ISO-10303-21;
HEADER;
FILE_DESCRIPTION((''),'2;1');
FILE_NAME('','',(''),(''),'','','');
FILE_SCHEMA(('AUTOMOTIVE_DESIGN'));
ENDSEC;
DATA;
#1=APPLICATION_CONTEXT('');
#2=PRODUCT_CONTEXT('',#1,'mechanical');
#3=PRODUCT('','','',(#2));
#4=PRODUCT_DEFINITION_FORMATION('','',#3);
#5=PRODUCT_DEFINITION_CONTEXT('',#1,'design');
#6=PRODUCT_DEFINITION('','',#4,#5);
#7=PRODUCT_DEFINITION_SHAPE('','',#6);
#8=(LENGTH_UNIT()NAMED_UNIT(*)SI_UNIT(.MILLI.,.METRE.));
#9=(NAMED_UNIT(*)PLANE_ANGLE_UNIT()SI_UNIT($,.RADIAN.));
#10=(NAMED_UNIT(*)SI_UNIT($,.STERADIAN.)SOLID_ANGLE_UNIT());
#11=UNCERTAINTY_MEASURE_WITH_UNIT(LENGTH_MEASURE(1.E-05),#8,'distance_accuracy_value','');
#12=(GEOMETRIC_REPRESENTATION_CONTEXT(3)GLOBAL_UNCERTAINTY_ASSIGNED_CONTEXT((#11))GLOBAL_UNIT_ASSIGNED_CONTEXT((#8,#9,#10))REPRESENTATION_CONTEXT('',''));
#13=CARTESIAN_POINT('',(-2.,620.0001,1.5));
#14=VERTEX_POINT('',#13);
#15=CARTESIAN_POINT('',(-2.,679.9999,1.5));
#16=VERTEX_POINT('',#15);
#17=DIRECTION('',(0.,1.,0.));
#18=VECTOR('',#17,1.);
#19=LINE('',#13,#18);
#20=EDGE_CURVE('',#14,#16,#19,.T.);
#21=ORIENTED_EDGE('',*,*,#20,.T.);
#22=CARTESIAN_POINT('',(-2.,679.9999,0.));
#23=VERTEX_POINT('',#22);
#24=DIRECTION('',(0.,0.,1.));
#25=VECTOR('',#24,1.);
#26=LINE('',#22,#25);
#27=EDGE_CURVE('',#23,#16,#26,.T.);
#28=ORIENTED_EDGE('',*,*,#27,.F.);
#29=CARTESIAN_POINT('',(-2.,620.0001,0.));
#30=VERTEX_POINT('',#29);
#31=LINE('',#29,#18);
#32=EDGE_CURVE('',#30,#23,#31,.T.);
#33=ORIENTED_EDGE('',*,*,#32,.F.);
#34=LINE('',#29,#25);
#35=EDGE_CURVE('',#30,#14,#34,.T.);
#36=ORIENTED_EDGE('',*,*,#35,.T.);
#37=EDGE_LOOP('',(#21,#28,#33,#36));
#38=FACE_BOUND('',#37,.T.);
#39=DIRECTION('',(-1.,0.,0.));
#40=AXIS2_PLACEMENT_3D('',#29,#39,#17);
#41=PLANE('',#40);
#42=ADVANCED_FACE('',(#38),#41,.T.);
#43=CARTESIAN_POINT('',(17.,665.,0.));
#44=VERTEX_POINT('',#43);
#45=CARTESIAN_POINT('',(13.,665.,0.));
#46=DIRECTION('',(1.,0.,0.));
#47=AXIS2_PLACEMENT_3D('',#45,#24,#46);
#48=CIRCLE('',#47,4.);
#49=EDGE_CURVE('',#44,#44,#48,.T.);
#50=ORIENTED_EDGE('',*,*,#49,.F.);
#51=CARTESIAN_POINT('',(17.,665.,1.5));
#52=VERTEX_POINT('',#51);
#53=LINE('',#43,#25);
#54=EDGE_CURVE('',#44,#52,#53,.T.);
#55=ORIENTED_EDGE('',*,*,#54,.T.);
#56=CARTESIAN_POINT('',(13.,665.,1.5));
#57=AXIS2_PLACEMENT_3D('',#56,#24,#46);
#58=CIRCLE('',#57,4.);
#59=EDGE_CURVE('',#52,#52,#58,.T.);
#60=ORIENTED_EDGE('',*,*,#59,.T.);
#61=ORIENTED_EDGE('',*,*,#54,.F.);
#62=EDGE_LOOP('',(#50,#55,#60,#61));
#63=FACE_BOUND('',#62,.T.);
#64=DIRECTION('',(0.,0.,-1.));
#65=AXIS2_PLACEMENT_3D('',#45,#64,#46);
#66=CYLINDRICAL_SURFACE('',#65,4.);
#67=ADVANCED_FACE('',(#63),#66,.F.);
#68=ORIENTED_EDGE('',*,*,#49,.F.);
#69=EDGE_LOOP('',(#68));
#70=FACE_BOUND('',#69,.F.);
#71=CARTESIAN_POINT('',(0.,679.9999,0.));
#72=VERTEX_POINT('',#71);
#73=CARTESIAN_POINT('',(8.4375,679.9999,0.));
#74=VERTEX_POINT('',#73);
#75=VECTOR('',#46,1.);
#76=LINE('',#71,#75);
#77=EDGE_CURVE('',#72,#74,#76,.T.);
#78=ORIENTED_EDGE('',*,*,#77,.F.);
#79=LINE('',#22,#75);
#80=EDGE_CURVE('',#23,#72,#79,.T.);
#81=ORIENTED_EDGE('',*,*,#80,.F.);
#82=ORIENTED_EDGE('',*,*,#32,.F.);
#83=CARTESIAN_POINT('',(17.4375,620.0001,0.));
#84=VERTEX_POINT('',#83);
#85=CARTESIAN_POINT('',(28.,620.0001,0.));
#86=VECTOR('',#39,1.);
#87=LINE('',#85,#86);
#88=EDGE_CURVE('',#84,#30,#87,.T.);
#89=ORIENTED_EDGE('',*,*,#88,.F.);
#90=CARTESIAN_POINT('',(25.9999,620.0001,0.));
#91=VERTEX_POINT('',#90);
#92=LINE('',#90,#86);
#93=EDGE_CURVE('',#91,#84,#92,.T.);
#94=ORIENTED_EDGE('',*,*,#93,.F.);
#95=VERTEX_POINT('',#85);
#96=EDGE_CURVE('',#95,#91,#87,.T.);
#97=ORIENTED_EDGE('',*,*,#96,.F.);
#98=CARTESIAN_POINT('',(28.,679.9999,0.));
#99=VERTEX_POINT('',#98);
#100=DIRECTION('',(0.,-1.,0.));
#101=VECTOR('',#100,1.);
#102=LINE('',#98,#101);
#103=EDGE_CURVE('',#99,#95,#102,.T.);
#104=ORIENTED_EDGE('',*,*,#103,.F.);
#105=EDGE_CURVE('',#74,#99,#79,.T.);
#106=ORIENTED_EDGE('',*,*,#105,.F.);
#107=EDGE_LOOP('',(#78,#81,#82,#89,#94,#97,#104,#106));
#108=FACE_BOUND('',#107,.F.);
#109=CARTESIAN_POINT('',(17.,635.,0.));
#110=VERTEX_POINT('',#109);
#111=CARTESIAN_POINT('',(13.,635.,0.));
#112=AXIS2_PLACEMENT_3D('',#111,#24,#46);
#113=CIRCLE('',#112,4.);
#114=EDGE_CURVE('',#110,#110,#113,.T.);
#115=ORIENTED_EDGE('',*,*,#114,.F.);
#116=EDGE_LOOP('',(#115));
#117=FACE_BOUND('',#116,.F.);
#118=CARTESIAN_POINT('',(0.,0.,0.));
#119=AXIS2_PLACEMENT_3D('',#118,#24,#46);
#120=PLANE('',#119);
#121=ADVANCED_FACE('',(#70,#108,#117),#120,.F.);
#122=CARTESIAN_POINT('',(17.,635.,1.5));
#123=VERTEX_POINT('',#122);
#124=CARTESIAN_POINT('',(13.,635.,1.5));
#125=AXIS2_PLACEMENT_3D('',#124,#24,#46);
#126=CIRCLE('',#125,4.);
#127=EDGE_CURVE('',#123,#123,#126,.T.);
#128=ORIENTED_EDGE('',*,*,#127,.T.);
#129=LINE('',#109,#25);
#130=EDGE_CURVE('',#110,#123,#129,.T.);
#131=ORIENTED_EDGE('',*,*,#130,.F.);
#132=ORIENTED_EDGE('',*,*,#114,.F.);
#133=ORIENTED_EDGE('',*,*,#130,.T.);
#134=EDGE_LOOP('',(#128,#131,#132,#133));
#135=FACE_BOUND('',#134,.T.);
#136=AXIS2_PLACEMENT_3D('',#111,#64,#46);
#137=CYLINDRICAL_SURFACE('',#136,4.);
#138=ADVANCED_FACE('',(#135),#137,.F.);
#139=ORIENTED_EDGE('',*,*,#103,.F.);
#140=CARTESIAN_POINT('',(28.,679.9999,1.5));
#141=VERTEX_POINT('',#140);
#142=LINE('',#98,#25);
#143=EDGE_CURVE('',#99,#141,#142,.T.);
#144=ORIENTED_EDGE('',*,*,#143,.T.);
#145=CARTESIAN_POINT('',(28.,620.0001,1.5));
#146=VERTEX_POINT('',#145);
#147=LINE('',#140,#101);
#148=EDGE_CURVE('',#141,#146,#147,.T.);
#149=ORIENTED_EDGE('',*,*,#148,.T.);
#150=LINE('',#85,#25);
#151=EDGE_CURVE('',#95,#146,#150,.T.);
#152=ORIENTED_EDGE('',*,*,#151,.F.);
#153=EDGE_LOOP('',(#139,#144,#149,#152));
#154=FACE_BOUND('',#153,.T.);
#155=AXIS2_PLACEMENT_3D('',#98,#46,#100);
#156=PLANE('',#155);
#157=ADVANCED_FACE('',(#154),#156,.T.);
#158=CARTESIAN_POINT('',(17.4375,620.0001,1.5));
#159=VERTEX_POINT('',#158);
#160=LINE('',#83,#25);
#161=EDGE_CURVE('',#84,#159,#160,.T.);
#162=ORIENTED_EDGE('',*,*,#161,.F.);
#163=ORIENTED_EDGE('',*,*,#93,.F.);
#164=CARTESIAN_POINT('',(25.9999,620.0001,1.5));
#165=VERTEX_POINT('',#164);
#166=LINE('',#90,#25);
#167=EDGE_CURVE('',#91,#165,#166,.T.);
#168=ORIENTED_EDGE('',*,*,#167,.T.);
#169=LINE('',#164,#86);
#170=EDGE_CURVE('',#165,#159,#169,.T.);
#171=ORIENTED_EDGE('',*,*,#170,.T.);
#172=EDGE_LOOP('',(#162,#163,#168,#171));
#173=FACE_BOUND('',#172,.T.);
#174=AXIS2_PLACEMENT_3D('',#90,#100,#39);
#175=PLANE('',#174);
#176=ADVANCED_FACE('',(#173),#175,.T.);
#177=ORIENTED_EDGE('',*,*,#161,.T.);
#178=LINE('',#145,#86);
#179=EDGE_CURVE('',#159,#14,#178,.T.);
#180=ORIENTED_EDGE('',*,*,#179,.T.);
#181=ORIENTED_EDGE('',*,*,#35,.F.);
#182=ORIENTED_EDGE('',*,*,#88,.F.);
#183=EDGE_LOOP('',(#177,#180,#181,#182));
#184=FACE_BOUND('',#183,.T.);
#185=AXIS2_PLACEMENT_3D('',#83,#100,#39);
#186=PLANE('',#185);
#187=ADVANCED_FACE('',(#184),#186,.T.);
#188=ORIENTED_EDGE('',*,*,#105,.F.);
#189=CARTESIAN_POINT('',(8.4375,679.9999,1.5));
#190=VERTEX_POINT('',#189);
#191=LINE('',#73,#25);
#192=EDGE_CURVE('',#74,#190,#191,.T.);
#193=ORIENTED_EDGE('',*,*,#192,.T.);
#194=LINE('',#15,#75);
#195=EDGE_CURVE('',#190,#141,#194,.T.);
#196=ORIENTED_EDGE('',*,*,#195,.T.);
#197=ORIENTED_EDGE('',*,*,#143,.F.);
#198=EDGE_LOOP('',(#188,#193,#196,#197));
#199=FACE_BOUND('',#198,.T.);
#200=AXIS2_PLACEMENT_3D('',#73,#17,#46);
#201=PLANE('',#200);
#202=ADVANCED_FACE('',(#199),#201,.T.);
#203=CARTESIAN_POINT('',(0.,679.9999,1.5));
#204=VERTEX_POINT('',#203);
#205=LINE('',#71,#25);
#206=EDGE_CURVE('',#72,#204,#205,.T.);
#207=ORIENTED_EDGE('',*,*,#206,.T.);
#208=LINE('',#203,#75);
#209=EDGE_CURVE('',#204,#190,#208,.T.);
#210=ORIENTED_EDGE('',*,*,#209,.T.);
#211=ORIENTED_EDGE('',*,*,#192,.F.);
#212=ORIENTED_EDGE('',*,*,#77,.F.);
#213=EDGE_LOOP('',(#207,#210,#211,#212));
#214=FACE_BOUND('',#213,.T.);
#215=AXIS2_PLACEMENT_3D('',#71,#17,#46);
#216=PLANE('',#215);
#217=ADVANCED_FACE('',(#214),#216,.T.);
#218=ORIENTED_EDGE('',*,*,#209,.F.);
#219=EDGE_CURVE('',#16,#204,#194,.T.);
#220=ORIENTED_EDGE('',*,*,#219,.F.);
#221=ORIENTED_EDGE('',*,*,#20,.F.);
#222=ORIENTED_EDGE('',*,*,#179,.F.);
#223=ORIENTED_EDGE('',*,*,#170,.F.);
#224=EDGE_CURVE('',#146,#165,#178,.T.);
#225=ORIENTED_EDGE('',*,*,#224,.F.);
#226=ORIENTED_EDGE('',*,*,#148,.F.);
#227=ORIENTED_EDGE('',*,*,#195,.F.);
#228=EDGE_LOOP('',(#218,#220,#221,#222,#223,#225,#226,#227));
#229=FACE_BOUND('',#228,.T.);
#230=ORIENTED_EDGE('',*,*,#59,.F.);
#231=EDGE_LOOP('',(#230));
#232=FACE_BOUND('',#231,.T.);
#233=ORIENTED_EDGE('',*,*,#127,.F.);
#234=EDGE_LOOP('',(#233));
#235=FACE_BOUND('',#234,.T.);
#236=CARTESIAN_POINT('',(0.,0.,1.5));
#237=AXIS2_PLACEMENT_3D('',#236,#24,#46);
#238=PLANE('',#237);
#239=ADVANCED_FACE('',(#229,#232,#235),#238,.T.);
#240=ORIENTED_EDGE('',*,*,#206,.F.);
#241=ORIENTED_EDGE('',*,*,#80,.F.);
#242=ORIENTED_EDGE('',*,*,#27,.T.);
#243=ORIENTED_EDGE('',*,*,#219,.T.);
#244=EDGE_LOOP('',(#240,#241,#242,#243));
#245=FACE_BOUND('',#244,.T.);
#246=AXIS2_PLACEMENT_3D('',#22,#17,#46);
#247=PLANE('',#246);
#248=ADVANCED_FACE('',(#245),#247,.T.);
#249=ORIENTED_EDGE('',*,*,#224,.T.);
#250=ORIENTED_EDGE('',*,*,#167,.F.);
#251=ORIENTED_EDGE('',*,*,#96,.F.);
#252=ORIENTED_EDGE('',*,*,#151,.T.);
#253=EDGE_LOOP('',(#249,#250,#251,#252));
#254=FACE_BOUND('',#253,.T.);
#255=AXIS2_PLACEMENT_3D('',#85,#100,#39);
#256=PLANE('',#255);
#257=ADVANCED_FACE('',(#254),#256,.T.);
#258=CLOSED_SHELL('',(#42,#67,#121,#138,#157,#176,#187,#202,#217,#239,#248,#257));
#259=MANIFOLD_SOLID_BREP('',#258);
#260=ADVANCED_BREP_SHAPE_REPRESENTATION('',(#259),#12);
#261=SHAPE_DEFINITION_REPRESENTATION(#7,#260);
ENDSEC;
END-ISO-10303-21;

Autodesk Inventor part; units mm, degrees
ref_plane "YZ Plane" through (0, 0, 0) normal (1, 0, 0) x (0, 1, 0)
ref_plane "XZ Plane" through (0, 0, 0) normal (0, 1, 0) x (-1, 0, 0)
ref_plane "XY Plane" through (0, 0, 0) normal (0, 0, 1) x (1, 0, 0)
sketch "Sketch1" plane through (0, 0, 0) normal (0, 0, 1) x (1, 0, 0)
  arc A0 (11.6513, 631.9608) -> (14.3394, 631.9567) centre (13, 635) ccw
  arc A1 (14.3394, 638.0433) -> (11.6606, 638.0433) centre (13, 635) ccw
  arc A2 (11.6513, 661.9608) -> (14.3394, 661.9567) centre (13, 665) ccw
  arc A3 (14.3394, 668.0433) -> (11.6606, 668.0433) centre (13, 665) ccw
  line L0 (25.9999, 620.0001) -> (17.4375, 620.0001)
  line L1 (0, 679.9999) -> (8.4375, 679.9999)
  circle A4 centre (13, 635) radius 4
  circle A5 centre (13, 665) radius 4
  line L2 (28, 620.0001) -> (-2, 620.0001)
  line L3 (-2, 620.0001) -> (-2, 679.9999)
  line L4 (-2, 679.9999) -> (28, 679.9999)
  line L5 (28, 679.9999) -> (28, 620.0001)
  line L6 (13, 620.0001) -> (13, 679.9999) construction
  point P0 (0, 0)
  dimension "d0" = 8
  dimension "d2" = 30
extrude "Plate1" add sketch "Sketch1" along normal blind 1.5
equation "\"BendRadius\" = Thickness"
equation "\"BendReliefWidth\" = Thickness"
equation "\"BendReliefDepth\" = 0.5 * Thickness"
equation "\"CornerReliefSize\" = 4 * Thickness"
equation "\"MinimumRemnant\" = 2 * Thickness"
equation "\"TransitionRadius\" = BendRadius"
equation "\"JacobiRadiusSize\" = BendRadius"
equation "\"GapSize\" = Thickness"
equation "\"d3\" = BendRadius"
equation "\"Thickness\" = 1.5"
properties part number "gabarito-travessa-60" material "Wood (Oak)"
